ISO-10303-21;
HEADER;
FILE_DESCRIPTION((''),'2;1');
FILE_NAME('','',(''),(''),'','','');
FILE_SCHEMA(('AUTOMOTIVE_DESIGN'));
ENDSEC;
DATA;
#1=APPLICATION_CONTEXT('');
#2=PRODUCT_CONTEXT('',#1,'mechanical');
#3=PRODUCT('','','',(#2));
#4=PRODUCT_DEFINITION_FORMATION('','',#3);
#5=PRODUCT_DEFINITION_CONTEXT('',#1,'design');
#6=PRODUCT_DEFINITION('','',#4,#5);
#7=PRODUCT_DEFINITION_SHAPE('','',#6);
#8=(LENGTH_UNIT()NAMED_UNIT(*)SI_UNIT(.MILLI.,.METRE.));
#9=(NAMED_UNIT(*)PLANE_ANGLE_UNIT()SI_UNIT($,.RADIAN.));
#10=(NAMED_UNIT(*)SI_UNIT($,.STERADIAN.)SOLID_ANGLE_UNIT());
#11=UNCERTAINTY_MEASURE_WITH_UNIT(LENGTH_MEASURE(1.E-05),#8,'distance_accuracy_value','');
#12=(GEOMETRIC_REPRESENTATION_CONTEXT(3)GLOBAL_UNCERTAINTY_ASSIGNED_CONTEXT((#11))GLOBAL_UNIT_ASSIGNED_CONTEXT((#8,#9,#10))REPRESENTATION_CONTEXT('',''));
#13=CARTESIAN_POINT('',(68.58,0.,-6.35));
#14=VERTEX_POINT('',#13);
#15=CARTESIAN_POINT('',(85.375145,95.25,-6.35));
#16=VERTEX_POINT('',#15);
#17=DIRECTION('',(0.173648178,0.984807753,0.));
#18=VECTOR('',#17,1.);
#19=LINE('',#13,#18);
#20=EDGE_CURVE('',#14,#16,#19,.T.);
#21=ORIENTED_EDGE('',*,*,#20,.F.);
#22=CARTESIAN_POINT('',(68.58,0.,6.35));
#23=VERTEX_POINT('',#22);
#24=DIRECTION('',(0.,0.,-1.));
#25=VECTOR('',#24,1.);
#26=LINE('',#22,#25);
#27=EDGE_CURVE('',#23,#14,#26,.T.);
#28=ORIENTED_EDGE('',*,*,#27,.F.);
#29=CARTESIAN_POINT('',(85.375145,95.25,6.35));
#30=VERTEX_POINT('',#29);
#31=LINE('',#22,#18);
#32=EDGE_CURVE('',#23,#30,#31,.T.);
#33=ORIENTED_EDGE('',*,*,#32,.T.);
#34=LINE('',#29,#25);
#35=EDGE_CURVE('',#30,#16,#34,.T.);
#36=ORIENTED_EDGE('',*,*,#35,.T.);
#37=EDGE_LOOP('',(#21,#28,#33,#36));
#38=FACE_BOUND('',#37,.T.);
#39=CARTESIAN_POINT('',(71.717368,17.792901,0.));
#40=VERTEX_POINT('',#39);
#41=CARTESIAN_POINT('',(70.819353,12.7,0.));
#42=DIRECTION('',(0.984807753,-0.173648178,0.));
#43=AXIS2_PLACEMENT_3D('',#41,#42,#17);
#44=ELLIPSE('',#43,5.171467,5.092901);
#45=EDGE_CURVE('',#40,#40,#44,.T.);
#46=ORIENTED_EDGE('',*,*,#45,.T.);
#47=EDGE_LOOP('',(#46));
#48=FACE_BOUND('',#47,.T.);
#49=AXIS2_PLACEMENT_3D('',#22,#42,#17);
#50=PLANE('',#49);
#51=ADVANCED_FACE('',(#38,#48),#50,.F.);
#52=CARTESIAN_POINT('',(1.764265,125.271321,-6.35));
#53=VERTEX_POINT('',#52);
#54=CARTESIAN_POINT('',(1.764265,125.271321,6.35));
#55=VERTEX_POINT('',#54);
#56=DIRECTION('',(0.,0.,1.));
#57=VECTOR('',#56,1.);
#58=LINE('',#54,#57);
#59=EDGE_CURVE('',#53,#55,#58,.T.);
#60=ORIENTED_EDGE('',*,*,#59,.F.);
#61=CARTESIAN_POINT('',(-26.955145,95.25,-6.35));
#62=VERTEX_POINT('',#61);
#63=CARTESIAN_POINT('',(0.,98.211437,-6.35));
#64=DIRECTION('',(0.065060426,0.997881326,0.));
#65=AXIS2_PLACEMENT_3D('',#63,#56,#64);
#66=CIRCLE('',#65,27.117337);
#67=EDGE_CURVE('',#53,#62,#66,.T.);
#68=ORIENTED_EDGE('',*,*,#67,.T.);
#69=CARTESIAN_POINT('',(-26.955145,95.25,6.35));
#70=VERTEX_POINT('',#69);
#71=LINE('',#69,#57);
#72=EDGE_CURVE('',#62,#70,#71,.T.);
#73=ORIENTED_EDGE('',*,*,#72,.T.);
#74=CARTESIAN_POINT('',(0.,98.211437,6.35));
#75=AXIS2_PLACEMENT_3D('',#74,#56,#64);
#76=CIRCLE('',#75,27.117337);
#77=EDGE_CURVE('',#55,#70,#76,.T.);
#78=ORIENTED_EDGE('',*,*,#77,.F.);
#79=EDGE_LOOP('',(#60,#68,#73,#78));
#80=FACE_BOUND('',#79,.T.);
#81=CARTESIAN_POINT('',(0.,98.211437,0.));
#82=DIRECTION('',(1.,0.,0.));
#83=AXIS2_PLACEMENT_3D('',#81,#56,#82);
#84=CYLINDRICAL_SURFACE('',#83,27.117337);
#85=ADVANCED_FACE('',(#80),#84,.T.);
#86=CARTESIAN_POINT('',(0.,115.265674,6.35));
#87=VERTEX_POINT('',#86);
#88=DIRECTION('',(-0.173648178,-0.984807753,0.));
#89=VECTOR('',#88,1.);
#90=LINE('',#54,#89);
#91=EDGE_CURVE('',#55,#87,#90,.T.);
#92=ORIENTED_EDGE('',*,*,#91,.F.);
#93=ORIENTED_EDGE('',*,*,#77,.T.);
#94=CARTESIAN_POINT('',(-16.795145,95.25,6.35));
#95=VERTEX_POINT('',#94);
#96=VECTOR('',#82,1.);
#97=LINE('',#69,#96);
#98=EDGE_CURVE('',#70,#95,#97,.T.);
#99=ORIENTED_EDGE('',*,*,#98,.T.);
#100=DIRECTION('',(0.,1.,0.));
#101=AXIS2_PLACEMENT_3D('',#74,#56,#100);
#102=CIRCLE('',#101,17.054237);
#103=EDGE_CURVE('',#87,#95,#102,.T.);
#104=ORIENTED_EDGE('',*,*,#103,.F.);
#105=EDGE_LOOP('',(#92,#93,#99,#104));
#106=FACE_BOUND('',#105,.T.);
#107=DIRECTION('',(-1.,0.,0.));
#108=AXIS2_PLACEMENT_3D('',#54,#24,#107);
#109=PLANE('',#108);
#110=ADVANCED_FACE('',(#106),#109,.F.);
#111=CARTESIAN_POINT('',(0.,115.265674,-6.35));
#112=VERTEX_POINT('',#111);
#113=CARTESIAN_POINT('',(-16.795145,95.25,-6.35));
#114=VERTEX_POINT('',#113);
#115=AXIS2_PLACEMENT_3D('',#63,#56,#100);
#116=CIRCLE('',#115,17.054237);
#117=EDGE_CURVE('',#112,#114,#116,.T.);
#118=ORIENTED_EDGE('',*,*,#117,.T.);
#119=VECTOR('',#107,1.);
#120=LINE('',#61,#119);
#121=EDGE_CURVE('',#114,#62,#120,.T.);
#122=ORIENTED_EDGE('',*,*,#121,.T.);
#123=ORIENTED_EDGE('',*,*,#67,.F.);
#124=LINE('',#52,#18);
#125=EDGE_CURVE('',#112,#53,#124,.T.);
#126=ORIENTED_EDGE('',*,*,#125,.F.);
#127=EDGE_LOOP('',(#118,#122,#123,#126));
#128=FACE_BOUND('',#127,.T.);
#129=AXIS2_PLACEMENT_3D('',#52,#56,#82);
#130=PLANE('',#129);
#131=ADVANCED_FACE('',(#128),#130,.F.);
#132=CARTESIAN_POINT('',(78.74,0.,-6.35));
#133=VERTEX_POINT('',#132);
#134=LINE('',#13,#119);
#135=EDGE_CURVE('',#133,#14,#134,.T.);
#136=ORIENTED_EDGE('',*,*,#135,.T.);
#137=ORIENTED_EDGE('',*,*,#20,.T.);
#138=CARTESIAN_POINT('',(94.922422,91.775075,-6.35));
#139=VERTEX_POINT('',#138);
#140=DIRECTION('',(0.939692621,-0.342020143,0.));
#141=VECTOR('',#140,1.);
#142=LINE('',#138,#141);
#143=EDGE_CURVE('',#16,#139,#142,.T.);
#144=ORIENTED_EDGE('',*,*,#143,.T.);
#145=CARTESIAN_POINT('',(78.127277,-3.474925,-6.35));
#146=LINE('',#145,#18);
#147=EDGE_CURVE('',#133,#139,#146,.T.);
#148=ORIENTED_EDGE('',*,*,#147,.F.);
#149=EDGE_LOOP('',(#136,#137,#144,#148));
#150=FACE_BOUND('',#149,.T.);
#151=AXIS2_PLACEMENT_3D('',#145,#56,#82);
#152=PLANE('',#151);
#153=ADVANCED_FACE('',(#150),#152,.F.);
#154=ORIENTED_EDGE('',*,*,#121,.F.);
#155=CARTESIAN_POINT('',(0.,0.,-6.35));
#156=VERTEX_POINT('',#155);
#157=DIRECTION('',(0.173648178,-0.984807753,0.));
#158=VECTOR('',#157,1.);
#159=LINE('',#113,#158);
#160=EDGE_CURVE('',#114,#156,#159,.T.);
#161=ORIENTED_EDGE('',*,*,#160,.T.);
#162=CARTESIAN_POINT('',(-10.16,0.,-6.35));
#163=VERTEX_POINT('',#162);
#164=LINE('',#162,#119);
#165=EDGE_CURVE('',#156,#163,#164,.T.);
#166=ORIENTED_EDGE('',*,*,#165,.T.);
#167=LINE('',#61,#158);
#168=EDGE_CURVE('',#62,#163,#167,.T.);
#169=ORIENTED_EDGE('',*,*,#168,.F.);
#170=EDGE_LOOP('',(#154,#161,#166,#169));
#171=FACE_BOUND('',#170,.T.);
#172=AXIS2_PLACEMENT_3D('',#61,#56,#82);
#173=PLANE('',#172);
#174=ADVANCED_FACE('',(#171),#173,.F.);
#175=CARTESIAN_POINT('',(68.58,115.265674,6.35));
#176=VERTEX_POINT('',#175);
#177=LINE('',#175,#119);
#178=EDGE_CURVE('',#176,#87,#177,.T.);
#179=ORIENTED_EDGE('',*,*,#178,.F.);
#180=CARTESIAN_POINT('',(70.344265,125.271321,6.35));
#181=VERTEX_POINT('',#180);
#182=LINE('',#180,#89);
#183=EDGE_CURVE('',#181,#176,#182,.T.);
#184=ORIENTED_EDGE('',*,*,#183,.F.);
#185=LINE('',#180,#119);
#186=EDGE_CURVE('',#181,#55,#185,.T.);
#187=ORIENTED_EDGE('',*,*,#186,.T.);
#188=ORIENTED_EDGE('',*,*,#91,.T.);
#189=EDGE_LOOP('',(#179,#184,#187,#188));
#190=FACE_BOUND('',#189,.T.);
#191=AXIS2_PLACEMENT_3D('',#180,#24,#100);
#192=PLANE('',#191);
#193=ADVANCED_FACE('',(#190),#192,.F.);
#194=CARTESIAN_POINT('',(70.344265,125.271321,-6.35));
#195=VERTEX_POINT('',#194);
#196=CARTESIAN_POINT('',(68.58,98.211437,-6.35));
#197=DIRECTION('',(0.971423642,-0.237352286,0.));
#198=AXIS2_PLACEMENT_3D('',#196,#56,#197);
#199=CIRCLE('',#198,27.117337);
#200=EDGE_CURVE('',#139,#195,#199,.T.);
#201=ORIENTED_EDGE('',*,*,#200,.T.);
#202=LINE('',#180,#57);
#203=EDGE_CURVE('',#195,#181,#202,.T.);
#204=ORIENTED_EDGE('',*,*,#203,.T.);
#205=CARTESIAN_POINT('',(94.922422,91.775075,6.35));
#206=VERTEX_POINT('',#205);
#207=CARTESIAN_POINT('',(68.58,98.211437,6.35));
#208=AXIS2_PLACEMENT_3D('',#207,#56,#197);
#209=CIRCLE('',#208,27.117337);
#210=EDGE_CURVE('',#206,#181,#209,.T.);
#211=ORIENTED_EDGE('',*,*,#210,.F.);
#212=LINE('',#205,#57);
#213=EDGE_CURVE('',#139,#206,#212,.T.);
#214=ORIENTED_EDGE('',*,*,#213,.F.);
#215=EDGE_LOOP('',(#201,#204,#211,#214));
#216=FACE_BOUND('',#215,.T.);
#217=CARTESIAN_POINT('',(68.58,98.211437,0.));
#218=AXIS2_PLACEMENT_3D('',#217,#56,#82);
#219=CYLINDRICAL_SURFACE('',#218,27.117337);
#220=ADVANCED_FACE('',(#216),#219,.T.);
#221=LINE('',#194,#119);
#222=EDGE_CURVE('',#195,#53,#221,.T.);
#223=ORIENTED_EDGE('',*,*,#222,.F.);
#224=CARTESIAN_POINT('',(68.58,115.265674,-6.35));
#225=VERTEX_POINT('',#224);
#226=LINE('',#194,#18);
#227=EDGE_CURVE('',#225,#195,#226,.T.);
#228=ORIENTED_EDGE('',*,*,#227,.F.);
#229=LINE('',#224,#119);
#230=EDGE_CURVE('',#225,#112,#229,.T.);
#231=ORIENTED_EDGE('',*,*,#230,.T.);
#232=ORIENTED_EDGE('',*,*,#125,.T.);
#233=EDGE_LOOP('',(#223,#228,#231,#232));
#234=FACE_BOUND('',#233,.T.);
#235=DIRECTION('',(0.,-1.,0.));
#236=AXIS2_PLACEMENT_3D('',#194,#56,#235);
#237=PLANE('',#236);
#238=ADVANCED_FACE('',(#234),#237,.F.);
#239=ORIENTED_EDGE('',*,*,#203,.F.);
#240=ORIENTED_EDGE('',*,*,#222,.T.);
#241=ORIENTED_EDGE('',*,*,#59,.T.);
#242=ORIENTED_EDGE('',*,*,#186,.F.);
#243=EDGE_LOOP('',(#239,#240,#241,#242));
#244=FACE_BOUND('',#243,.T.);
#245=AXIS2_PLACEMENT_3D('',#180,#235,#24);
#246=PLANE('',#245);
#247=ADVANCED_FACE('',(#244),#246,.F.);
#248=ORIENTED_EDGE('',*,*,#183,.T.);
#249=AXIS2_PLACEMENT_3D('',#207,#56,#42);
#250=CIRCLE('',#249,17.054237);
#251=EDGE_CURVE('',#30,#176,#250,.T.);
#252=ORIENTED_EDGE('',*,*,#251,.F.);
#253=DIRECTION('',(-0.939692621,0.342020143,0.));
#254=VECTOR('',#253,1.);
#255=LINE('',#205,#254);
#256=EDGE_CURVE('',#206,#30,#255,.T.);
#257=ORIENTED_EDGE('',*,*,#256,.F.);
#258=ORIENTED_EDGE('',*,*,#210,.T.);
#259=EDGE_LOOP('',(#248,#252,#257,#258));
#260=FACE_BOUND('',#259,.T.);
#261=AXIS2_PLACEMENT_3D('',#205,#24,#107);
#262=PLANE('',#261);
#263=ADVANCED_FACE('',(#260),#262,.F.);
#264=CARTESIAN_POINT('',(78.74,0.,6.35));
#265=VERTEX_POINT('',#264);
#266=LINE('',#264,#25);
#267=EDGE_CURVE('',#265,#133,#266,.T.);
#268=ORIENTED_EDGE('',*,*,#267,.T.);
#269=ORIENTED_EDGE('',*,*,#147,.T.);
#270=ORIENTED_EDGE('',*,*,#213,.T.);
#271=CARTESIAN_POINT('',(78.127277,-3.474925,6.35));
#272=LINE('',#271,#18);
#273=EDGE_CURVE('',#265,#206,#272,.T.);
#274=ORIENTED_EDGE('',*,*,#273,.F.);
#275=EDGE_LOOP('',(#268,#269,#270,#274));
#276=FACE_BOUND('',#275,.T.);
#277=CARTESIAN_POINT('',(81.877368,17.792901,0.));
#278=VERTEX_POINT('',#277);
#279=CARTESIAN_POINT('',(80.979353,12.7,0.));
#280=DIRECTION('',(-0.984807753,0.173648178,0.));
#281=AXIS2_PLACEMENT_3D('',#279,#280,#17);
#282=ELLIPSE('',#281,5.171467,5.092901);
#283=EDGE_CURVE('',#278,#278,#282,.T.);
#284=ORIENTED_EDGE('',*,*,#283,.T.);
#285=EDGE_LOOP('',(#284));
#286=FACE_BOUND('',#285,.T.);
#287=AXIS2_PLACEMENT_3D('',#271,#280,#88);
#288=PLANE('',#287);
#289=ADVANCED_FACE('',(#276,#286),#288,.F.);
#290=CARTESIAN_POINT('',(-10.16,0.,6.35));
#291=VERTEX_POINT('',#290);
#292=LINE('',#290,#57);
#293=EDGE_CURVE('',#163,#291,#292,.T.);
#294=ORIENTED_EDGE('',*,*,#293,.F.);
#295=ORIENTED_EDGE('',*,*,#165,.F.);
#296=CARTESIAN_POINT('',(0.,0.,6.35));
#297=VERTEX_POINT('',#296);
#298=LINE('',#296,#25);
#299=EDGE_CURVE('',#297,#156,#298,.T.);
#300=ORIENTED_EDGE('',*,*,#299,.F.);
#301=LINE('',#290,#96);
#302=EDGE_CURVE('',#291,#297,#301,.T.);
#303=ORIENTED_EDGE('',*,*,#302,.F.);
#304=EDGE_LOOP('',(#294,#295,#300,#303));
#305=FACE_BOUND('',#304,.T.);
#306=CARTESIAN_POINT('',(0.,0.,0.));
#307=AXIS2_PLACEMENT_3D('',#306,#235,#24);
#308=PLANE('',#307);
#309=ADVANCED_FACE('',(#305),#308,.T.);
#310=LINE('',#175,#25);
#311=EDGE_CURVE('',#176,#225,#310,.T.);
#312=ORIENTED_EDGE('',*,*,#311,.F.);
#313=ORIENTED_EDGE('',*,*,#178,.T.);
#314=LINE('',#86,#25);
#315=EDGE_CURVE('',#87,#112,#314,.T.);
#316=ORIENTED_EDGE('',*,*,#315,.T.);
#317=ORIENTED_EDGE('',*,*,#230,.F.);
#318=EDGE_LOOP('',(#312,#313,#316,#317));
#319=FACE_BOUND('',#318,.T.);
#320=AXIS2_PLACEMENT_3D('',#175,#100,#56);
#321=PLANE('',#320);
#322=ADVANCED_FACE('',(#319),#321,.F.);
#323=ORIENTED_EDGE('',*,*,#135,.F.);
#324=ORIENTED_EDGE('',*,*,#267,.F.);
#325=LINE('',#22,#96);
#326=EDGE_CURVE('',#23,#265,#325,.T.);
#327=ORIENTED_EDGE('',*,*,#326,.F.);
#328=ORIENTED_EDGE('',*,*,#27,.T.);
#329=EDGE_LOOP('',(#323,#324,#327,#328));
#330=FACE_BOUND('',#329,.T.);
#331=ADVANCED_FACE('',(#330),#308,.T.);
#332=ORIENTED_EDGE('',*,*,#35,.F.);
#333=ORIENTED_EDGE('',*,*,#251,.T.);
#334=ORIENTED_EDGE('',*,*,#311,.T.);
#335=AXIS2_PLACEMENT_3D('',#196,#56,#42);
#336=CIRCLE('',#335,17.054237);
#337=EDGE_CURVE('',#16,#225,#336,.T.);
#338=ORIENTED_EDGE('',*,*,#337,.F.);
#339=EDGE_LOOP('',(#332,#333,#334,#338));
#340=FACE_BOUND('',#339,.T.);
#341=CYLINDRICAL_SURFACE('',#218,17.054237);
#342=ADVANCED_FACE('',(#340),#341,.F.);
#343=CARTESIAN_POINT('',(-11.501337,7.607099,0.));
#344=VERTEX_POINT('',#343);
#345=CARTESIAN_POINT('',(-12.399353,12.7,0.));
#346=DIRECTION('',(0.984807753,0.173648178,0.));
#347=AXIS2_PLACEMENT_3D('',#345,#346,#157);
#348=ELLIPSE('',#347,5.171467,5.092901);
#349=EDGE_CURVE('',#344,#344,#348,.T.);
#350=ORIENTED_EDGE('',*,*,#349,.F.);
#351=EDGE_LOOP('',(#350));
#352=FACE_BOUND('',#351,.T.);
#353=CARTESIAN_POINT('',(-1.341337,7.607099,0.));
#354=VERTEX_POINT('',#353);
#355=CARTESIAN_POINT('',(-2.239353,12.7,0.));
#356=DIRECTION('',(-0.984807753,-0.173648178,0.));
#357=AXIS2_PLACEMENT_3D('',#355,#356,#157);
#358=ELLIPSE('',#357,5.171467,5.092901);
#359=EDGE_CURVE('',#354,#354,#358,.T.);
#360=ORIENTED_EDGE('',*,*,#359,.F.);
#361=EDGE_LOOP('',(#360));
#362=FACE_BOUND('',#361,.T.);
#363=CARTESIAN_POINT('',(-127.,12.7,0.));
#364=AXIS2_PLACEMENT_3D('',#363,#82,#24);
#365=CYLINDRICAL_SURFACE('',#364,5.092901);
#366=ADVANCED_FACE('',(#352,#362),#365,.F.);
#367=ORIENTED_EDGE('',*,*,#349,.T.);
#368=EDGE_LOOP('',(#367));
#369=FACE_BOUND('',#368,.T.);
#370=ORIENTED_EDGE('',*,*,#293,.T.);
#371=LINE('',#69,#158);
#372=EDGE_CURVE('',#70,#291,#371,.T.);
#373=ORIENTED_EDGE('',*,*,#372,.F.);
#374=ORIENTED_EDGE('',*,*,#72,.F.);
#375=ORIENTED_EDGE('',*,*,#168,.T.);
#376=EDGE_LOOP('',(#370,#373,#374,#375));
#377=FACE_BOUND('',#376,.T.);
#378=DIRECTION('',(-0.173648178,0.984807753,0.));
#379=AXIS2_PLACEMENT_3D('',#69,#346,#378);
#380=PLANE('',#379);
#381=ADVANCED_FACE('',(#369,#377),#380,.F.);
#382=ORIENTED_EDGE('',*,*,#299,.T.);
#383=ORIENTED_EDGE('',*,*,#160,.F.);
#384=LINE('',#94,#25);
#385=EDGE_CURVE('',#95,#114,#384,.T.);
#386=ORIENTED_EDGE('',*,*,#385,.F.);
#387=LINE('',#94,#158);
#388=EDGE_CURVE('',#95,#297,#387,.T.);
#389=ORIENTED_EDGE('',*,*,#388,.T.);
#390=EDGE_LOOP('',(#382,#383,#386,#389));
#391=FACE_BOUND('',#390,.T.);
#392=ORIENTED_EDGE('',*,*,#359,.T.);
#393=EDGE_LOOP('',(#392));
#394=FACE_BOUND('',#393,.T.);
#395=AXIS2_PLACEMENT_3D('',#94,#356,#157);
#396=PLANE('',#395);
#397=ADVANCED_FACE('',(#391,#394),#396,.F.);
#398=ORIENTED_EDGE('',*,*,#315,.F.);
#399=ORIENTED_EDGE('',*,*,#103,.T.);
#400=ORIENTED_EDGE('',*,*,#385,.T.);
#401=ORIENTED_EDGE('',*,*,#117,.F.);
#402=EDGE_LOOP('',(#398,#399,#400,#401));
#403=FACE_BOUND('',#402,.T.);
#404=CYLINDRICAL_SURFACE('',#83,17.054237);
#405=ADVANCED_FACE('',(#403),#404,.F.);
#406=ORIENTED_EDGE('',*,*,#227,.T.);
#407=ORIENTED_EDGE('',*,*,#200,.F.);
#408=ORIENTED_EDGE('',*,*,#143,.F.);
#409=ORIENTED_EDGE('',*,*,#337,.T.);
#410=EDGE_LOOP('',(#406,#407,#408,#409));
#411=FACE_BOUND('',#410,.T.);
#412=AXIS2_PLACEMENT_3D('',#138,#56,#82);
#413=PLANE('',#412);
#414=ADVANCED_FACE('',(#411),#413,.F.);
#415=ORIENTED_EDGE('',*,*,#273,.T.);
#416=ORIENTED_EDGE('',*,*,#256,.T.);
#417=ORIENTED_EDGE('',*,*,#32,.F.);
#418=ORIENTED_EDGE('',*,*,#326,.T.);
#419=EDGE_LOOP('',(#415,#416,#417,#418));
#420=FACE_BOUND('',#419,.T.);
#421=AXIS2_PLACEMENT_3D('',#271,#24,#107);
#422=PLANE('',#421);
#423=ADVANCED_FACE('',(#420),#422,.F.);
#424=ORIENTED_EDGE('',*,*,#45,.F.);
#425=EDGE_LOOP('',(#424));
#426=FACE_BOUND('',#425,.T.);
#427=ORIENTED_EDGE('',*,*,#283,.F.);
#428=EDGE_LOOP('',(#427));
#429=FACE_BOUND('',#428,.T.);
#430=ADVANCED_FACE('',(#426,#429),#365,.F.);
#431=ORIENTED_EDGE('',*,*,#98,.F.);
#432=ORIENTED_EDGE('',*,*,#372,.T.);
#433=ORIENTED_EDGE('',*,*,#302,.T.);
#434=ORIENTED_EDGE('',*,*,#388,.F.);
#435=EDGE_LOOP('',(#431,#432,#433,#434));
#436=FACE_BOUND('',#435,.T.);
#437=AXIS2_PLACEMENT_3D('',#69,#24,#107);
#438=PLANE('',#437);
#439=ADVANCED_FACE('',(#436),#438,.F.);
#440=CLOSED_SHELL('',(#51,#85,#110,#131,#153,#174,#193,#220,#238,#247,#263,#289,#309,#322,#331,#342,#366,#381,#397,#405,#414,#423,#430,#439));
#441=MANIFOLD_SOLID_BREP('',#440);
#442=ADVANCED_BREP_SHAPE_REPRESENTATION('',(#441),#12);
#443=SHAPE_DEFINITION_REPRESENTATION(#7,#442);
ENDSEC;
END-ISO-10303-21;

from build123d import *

# Parameters (mm, degrees)
SKETCH2_W          = 10.16
SKETCH2_H          = 12.7
SKETCH3_W          = 10.16
SKETCH3_H          = 12.7
CUT_EXTRUDE1_DEPTH = 5.08
SKETCH5_R          = 5.092900553
CUT_EXTRUDE2_DEPTH = 127


with BuildPart() as part:
    # Sweep2: sweep along a path in Sketch1
    with BuildLine(Plane.XY) as sweep2_path:
        Line((0, 0), (-16.795144912, 95.25))
        ThreePointArc((-16.795144912, 95.25), (-13.064303558, 109.17368949), (0, 115.265674288))
        Line((0, 115.265674288), (68.58, 115.265674288))
        ThreePointArc((68.58, 115.265674288), (81.644303558, 109.17368949), (85.375144912, 95.25))
        Line((85.375144912, 95.25), (68.58, 0))
    # Sketch2 → Sweep2 (sweep)
    with BuildSketch(Plane(origin=(0, 0, 0), x_dir=(1, 0, 0), z_dir=(0, 1, 0))):
        with Locations((-5.08, 0)):
            Rectangle(SKETCH2_W, SKETCH2_H)
    sweep(path=sweep2_path.line)

    # Sketch3 → Cut-Extrude1 (cut)
    with BuildSketch(Plane(origin=(0, 0, 0), x_dir=(1, 0, 0), z_dir=(0, 1, 0))):
        with Locations((73.66, 0)):
            Rectangle(SKETCH3_W, SKETCH3_H)
    extrude(amount=-CUT_EXTRUDE1_DEPTH, mode=Mode.SUBTRACT)

    # Sketch5 → Cut-Extrude2 (cut, symmetric)
    with BuildSketch(Plane(origin=(0, 0, 0), x_dir=(0, 0, -1), z_dir=(1, 0, 0))):
        with Locations(Location((0, 12.7, 0), (0, 0, 270))):
            Circle(SKETCH5_R)
    extrude(amount=CUT_EXTRUDE2_DEPTH, both=True, mode=Mode.SUBTRACT)


solid = part.part
